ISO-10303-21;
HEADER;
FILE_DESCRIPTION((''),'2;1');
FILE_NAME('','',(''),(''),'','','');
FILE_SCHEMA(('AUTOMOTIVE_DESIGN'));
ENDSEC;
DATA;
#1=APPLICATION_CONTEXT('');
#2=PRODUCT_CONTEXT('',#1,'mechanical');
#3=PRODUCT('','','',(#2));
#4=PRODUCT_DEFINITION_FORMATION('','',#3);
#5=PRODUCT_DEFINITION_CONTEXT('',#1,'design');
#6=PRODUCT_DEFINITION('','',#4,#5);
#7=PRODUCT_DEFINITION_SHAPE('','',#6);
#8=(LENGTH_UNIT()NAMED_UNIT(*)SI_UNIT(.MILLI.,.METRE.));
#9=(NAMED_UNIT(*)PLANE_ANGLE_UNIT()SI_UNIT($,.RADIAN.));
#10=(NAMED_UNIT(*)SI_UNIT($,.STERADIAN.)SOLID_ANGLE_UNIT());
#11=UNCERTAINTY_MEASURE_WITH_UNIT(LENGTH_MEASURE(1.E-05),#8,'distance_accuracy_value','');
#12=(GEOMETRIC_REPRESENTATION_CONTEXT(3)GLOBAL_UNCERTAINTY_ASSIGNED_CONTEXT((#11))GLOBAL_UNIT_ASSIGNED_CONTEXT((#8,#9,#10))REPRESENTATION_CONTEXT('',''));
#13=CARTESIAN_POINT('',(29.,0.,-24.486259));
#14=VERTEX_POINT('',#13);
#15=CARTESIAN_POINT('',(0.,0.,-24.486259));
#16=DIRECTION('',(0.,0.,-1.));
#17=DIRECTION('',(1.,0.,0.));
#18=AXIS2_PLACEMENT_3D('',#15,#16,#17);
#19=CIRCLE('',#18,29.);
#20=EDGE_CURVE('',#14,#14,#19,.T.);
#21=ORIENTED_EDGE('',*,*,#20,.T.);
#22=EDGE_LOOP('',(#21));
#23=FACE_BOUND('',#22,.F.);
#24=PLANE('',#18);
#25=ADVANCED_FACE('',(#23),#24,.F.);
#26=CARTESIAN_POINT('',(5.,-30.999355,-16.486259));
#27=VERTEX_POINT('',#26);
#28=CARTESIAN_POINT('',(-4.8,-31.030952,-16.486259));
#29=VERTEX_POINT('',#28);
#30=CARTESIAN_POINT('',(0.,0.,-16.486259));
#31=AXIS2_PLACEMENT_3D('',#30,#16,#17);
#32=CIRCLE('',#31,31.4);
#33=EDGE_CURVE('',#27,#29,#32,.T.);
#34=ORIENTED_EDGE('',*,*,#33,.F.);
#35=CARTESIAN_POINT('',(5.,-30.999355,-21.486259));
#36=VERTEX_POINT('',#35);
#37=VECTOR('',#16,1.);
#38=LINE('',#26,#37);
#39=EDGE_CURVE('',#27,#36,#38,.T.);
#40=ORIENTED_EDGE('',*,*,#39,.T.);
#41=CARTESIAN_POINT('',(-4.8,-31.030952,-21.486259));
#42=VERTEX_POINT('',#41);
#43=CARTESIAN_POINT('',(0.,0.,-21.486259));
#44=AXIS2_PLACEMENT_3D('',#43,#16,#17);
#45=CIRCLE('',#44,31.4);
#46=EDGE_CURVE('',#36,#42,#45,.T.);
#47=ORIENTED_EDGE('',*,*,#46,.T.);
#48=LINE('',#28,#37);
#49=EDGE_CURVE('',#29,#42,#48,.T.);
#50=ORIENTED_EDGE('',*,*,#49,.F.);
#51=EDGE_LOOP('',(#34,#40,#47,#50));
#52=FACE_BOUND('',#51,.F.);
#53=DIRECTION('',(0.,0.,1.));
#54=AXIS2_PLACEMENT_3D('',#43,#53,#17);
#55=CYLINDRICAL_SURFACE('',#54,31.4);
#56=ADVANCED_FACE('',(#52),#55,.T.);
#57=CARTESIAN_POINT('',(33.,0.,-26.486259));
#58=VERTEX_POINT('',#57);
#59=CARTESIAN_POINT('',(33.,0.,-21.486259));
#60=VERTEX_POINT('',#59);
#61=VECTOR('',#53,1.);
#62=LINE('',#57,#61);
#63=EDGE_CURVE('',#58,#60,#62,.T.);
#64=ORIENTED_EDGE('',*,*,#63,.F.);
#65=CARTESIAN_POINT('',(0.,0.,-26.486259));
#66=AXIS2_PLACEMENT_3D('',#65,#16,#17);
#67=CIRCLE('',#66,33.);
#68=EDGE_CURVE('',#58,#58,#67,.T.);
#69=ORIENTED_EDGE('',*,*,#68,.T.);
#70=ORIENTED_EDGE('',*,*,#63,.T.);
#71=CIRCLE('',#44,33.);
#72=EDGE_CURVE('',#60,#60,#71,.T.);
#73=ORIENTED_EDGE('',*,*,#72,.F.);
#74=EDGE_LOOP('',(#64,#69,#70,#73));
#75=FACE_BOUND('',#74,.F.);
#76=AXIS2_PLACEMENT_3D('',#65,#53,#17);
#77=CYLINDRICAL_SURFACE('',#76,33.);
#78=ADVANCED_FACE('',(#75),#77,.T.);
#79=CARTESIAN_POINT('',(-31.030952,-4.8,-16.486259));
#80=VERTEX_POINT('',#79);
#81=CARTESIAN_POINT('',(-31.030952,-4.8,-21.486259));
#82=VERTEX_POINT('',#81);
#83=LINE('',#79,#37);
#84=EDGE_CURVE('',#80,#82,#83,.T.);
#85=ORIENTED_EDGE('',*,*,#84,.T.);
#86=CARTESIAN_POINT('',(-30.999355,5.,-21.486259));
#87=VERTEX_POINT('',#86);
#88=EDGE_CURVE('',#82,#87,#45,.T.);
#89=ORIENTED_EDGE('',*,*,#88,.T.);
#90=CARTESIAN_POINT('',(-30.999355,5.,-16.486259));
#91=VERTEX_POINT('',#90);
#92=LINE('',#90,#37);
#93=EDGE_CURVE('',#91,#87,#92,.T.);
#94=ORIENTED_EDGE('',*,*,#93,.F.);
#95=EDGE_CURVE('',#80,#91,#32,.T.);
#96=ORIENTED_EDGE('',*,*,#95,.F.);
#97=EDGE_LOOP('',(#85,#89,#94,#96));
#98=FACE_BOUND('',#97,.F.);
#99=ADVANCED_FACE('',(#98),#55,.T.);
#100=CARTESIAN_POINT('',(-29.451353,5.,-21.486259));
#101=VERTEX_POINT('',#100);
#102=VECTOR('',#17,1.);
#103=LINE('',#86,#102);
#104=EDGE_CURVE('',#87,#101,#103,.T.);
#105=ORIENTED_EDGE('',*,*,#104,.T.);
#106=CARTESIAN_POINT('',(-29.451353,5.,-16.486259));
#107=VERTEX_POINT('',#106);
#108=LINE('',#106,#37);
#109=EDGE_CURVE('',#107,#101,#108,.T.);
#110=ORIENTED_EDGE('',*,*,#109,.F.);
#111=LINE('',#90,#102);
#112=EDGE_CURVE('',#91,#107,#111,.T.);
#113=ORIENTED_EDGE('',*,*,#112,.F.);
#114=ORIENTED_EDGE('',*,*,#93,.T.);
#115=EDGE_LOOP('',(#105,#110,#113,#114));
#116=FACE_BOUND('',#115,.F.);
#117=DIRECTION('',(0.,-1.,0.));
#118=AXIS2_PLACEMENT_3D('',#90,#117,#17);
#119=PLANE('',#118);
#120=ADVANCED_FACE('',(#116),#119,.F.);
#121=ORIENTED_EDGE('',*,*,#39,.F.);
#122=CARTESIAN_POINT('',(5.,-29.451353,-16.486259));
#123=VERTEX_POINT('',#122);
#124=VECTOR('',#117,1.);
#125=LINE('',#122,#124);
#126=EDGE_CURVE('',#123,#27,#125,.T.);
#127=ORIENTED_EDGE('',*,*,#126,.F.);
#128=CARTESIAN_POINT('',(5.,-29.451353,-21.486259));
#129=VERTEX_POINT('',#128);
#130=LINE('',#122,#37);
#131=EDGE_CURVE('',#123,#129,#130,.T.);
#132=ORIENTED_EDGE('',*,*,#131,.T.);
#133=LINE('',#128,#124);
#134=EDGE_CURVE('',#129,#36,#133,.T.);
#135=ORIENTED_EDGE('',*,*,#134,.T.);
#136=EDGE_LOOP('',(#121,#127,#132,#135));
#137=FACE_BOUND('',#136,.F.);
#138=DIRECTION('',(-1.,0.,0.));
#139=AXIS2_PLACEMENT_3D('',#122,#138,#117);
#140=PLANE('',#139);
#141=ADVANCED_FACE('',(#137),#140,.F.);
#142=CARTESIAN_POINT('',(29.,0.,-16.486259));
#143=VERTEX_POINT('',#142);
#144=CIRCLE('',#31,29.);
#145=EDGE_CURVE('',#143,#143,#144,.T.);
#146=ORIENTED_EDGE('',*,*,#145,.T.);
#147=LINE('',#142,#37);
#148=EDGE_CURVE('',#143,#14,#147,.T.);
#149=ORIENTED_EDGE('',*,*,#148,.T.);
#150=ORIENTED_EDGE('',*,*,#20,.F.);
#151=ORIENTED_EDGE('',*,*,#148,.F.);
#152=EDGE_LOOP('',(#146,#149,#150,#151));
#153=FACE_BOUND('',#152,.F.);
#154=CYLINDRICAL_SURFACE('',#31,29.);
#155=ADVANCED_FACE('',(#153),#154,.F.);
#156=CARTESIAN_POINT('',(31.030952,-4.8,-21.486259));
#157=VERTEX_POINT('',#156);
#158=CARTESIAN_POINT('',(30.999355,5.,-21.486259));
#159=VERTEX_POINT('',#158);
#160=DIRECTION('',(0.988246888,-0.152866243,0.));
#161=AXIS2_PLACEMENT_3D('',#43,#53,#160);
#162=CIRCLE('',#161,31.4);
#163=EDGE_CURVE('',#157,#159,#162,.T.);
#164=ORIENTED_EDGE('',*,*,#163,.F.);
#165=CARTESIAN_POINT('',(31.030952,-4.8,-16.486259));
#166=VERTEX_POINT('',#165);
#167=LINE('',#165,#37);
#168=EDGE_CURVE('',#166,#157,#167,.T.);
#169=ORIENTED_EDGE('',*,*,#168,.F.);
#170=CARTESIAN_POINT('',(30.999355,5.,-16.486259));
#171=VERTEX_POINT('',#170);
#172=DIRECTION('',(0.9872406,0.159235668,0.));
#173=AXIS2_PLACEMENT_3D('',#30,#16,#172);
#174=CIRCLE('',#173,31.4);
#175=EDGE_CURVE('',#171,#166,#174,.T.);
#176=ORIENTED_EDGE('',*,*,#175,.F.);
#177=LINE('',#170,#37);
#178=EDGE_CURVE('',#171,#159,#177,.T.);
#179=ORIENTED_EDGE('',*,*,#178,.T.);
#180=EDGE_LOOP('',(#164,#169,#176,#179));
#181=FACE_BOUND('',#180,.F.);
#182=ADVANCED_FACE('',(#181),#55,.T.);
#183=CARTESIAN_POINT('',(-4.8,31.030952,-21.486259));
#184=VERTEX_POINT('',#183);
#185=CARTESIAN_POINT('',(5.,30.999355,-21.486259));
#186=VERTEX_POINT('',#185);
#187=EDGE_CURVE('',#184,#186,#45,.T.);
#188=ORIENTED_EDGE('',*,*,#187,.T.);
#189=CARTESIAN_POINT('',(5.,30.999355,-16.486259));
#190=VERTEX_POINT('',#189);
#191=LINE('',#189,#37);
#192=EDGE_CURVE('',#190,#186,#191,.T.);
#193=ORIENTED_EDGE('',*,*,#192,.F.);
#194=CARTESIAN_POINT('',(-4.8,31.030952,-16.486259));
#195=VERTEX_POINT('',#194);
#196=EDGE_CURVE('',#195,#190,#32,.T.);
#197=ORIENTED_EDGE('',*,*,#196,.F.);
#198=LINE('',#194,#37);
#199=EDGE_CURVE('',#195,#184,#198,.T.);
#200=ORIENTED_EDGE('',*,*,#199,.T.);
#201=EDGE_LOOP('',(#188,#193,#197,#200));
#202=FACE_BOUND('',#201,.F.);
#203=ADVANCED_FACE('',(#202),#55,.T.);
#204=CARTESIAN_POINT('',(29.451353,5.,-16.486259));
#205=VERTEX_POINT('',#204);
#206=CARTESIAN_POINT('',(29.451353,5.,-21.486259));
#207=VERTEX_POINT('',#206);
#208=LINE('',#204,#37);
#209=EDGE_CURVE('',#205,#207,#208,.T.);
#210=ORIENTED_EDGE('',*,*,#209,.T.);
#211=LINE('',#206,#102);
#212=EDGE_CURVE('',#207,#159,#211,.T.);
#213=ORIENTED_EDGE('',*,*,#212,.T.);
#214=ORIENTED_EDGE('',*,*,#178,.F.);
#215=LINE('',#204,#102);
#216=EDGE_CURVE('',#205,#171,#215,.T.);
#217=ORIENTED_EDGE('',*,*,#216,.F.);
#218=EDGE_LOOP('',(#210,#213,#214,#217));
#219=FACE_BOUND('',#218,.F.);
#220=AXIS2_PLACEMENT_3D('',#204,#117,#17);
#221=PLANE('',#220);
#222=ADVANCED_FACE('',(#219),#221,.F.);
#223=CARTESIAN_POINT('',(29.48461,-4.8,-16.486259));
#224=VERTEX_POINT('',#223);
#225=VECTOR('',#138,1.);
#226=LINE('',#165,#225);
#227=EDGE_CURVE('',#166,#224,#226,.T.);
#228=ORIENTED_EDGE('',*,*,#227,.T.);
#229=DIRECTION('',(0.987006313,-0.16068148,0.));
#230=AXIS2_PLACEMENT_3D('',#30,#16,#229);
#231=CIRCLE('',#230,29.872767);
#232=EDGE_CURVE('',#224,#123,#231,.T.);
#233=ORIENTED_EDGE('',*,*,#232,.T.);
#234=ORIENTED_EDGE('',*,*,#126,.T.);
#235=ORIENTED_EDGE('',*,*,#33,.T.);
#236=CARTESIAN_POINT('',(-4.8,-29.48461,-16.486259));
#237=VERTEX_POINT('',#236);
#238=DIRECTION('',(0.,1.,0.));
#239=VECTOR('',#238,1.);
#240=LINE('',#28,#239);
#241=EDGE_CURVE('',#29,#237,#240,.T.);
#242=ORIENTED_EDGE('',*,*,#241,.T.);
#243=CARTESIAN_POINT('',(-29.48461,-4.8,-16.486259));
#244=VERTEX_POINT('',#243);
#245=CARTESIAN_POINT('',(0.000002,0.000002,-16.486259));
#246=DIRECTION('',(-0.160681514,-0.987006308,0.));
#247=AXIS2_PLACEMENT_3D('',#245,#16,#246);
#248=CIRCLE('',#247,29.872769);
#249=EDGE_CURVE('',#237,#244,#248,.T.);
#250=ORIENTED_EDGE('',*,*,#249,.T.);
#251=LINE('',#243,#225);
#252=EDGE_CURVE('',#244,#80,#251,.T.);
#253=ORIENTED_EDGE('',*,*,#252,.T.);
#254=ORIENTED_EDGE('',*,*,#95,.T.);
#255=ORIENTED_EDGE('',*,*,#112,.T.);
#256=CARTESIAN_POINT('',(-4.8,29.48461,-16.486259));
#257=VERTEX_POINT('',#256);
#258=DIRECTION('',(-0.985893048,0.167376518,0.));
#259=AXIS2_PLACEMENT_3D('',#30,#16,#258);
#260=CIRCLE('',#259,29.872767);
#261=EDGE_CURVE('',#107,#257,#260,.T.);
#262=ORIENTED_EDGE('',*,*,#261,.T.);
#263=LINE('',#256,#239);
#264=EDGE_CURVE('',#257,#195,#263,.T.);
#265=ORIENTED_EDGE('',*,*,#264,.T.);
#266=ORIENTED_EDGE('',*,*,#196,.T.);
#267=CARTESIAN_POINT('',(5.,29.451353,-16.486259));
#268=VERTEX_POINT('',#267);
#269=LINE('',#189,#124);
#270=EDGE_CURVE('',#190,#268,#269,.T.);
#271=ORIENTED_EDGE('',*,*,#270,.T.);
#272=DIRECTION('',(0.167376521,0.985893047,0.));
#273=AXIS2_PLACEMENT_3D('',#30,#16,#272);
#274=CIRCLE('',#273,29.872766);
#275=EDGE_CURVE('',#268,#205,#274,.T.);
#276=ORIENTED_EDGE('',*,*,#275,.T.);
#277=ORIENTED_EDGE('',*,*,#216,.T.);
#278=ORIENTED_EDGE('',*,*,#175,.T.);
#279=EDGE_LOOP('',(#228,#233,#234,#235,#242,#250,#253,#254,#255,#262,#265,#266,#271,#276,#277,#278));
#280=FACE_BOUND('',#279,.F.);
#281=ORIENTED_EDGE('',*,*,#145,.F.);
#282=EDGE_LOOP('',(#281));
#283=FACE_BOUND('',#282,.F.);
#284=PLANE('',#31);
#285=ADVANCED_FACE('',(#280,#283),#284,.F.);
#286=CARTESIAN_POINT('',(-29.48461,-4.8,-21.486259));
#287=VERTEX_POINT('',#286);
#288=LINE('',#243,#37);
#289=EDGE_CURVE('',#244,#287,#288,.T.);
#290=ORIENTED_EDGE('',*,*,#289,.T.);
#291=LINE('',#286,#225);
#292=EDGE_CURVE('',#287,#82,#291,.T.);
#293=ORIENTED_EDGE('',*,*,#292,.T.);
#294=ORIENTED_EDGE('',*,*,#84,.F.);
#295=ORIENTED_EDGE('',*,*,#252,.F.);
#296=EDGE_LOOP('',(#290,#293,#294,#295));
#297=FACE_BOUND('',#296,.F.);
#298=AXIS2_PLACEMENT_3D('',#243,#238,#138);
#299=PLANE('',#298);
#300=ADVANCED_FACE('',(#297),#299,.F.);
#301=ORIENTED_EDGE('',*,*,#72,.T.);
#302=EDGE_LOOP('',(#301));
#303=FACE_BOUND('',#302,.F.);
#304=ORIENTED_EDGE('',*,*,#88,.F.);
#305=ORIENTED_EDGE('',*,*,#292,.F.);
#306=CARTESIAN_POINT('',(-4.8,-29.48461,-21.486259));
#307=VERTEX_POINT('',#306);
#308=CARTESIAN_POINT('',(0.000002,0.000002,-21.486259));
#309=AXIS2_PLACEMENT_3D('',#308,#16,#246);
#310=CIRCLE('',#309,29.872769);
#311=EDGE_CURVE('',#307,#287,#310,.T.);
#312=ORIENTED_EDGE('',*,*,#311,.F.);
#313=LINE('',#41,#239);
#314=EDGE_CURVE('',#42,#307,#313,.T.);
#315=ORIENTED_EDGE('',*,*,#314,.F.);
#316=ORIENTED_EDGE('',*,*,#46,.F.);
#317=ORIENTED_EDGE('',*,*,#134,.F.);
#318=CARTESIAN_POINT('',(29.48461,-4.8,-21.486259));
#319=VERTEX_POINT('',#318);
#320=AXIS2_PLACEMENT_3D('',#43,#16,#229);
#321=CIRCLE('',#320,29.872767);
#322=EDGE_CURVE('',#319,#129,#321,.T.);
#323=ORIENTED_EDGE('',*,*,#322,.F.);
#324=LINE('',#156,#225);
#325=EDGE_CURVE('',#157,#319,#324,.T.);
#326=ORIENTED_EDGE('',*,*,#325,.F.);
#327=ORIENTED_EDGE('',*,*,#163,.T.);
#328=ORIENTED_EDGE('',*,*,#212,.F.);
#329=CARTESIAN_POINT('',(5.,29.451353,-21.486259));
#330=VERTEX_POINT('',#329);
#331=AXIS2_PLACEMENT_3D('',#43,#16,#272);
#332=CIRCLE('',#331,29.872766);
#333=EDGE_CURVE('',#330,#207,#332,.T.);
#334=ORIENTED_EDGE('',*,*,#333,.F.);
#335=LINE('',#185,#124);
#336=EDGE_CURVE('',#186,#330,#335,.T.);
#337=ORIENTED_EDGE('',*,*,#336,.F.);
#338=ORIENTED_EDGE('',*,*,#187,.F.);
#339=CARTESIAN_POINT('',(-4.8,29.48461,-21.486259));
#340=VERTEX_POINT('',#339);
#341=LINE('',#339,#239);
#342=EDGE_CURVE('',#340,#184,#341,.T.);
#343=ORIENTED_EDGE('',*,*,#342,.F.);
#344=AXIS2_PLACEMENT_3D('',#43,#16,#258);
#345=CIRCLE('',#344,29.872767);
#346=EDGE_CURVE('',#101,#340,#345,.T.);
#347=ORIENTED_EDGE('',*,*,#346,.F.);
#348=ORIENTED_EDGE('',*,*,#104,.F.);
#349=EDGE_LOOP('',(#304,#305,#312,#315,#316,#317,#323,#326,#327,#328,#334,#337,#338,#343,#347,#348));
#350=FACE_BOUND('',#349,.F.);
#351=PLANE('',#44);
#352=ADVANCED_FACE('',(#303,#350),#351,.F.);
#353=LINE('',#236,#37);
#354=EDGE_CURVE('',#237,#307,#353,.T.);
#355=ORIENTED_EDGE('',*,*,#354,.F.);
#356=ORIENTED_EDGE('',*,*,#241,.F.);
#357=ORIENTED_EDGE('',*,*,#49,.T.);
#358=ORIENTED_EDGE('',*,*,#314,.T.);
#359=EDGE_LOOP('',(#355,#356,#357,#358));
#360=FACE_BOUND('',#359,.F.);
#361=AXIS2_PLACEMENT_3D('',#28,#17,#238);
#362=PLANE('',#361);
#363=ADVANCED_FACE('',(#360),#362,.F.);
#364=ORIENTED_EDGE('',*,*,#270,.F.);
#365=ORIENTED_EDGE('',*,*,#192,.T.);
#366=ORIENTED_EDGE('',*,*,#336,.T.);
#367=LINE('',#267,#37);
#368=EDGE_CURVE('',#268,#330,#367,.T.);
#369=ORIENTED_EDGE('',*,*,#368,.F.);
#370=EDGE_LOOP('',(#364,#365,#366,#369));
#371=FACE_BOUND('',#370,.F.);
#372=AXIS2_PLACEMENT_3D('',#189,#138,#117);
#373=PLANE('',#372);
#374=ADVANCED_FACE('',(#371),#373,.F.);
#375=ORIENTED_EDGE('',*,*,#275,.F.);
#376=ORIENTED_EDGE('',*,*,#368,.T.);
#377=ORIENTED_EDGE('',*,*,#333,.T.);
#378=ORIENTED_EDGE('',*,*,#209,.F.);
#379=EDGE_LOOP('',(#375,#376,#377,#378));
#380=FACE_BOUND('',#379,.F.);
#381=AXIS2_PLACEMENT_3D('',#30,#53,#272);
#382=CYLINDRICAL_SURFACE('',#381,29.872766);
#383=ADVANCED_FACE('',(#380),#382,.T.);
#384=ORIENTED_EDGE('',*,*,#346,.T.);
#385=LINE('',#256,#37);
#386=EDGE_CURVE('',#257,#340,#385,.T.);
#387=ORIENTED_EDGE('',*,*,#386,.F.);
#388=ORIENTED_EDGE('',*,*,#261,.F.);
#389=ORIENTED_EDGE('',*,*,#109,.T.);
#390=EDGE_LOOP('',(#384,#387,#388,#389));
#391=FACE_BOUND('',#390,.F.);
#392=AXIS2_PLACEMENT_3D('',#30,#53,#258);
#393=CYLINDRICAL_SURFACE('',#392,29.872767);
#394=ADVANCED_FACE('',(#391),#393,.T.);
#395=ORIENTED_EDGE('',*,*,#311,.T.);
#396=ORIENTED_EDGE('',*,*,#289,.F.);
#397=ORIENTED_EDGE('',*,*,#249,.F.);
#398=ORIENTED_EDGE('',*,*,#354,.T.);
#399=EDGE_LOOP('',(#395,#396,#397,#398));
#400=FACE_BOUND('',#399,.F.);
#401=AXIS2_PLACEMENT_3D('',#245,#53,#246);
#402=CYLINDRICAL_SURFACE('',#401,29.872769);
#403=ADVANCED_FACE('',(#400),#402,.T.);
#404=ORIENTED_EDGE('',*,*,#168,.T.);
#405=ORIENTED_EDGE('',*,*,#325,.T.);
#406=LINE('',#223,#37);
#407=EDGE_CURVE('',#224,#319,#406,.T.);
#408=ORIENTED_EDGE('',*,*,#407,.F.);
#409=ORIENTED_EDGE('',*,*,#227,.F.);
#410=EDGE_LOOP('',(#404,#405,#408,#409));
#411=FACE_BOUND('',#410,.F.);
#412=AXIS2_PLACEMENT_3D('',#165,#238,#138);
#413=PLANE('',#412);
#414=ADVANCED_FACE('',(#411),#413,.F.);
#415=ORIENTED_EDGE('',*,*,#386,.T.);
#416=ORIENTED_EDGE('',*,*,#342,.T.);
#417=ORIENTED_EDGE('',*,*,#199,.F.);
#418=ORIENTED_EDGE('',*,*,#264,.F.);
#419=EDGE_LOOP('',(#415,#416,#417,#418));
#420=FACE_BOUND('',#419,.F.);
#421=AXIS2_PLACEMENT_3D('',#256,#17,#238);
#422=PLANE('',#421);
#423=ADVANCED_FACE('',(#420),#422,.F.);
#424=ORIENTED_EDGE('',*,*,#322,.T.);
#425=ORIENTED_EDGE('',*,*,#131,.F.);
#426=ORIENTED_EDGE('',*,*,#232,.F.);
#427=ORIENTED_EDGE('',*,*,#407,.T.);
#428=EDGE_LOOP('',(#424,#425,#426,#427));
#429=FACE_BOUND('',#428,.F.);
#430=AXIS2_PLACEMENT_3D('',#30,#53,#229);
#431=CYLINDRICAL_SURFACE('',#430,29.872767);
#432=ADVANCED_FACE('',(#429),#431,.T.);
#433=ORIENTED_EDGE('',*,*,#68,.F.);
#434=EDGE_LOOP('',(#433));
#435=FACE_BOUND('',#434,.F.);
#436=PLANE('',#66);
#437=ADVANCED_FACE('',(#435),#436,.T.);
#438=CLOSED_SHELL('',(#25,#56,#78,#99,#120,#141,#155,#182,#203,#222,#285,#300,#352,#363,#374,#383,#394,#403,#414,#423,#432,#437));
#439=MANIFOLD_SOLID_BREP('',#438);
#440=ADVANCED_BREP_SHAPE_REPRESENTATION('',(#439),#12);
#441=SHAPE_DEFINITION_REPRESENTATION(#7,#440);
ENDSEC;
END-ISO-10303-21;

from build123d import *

# Parameters (mm, degrees)
F3_DEPTH = 5


with BuildPart() as f1:
    # F0 (on Front) → F1 (revolve)
    with BuildSketch(Plane.XZ):
        Polygon((31.4, -21.486259), (31.4, -16.486259), (29, -16.486259), (29, -24.486259), (0, -24.486259), (0, -26.486259), (33, -26.486259), (33, -21.486259), align=None)
    revolve(axis=Axis((0, 0, -25.486259), (0, 0, -1)))

    # F2 (on face) → F3 (cut)
    with BuildSketch(Plane.XY.offset(-16.486259)):
        with BuildLine():
            ThreePointArc((-29.451353, 5), (-21.051433, 21.194796), (-4.8, 29.48461))
            Line((-4.8, 29.48461), (-4.8, 29.512201))
            Line((-4.8, 29.512201), (-4.8, 31.030952))
            ThreePointArc((-4.8, 31.030952), (-22.13145, 22.274625), (-30.999355, 5))
            Line((-30.999355, 5), (-29.478976, 5))
            Line((-29.478976, 5), (-29.451353, 5))
        make_face()
        with BuildLine():
            Line((-4.8, -29.512201), (-4.8, -29.48461))
            ThreePointArc((-4.8, -29.48461), (-21.123236, -21.123236), (-29.48461, -4.8))
            Line((-29.48461, -4.8), (-29.512201, -4.8))
            Line((-29.512201, -4.8), (-31.030952, -4.8))
            ThreePointArc((-31.030952, -4.8), (-22.203153, -22.203153), (-4.8, -31.030952))
            Line((-4.8, -31.030952), (-4.8, -29.512201))
        make_face()
        with BuildLine():
            Line((29.512201, -4.8), (29.48461, -4.8))
            ThreePointArc((29.48461, -4.8), (21.194796, -21.051433), (5, -29.451353))
            Line((5, -29.451353), (5, -29.478976))
            Line((5, -29.478976), (5, -30.999355))
            ThreePointArc((5, -30.999355), (22.274625, -22.13145), (31.030952, -4.8))
            Line((31.030952, -4.8), (29.512201, -4.8))
        make_face()
        with BuildLine():
            ThreePointArc((5, 29.451353), (21.123236, 21.123236), (29.451353, 5))
            Line((29.451353, 5), (29.478976, 5))
            Line((29.478976, 5), (30.999355, 5))
            ThreePointArc((30.999355, 5), (22.203153, 22.203153), (5, 30.999355))
            Line((5, 30.999355), (5, 29.512201))
            Line((5, 29.512201), (5, 29.451353))
        make_face()
    extrude(amount=-F3_DEPTH, mode=Mode.SUBTRACT)


solid = f1.part
